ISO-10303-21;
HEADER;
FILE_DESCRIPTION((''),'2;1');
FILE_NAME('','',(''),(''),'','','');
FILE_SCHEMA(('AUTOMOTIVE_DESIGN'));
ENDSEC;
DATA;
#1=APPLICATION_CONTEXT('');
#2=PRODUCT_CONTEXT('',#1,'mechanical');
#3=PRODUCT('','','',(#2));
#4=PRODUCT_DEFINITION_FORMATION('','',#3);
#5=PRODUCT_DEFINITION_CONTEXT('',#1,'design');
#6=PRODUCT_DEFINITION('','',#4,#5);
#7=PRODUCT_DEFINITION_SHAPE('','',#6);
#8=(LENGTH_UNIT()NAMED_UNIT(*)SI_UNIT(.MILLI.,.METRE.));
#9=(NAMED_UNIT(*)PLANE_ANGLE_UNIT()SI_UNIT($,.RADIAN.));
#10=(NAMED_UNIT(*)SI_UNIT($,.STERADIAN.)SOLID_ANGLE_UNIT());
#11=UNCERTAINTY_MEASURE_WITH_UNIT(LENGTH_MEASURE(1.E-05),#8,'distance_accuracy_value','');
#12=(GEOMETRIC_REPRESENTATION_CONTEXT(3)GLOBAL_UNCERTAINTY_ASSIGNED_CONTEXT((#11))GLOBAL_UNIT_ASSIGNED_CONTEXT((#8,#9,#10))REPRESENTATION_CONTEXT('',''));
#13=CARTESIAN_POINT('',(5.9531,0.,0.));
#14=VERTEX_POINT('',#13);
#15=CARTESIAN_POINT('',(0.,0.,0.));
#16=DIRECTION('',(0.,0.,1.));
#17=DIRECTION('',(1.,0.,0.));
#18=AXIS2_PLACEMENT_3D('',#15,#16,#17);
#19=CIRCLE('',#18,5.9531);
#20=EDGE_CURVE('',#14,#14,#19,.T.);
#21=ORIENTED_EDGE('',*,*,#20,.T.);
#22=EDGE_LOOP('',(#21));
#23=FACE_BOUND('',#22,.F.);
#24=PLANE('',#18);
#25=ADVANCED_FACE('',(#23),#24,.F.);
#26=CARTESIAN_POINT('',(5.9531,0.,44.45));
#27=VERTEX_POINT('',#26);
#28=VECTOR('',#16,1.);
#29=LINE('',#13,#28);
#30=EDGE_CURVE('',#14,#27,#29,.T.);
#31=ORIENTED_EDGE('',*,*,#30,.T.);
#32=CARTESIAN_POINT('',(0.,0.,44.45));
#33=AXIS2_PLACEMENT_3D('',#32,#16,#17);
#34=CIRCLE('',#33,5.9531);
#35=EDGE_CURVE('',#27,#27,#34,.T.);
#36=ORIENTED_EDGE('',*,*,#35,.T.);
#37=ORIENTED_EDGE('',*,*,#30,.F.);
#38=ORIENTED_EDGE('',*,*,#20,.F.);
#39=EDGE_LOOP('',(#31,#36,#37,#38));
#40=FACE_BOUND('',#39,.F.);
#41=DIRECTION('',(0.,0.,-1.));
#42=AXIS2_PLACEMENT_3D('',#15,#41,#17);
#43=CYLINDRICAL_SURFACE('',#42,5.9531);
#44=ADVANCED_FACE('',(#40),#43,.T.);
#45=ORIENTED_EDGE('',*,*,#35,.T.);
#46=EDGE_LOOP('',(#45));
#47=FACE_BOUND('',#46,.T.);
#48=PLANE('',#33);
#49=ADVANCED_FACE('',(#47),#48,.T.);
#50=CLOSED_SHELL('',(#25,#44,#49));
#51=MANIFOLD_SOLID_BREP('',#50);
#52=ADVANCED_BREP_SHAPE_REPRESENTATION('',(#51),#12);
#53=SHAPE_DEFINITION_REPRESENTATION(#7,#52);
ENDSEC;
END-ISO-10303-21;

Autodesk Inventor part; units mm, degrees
ref_plane "YZ Plane" through (0, 0, 0) normal (1, 0, 0) x (0, 1, 0)
ref_plane "XZ Plane" through (0, 0, 0) normal (0, 1, 0) x (-1, 0, 0)
ref_plane "XY Plane" through (0, 0, 0) normal (0, 0, 1) x (1, 0, 0)
sketch "Sketch1" plane through (0, 0, 0) normal (0, 0, 1) x (1, 0, 0)
  circle A0 centre (0, 0) radius 5.9531
  dimension "d0" = 11.9062
  dimension "d0" = 11.9062
extrude "Extrusion1" add sketch "Sketch1" along normal blind 44.45
properties part number "shortEndAxel" material "Steel, Alloy"
